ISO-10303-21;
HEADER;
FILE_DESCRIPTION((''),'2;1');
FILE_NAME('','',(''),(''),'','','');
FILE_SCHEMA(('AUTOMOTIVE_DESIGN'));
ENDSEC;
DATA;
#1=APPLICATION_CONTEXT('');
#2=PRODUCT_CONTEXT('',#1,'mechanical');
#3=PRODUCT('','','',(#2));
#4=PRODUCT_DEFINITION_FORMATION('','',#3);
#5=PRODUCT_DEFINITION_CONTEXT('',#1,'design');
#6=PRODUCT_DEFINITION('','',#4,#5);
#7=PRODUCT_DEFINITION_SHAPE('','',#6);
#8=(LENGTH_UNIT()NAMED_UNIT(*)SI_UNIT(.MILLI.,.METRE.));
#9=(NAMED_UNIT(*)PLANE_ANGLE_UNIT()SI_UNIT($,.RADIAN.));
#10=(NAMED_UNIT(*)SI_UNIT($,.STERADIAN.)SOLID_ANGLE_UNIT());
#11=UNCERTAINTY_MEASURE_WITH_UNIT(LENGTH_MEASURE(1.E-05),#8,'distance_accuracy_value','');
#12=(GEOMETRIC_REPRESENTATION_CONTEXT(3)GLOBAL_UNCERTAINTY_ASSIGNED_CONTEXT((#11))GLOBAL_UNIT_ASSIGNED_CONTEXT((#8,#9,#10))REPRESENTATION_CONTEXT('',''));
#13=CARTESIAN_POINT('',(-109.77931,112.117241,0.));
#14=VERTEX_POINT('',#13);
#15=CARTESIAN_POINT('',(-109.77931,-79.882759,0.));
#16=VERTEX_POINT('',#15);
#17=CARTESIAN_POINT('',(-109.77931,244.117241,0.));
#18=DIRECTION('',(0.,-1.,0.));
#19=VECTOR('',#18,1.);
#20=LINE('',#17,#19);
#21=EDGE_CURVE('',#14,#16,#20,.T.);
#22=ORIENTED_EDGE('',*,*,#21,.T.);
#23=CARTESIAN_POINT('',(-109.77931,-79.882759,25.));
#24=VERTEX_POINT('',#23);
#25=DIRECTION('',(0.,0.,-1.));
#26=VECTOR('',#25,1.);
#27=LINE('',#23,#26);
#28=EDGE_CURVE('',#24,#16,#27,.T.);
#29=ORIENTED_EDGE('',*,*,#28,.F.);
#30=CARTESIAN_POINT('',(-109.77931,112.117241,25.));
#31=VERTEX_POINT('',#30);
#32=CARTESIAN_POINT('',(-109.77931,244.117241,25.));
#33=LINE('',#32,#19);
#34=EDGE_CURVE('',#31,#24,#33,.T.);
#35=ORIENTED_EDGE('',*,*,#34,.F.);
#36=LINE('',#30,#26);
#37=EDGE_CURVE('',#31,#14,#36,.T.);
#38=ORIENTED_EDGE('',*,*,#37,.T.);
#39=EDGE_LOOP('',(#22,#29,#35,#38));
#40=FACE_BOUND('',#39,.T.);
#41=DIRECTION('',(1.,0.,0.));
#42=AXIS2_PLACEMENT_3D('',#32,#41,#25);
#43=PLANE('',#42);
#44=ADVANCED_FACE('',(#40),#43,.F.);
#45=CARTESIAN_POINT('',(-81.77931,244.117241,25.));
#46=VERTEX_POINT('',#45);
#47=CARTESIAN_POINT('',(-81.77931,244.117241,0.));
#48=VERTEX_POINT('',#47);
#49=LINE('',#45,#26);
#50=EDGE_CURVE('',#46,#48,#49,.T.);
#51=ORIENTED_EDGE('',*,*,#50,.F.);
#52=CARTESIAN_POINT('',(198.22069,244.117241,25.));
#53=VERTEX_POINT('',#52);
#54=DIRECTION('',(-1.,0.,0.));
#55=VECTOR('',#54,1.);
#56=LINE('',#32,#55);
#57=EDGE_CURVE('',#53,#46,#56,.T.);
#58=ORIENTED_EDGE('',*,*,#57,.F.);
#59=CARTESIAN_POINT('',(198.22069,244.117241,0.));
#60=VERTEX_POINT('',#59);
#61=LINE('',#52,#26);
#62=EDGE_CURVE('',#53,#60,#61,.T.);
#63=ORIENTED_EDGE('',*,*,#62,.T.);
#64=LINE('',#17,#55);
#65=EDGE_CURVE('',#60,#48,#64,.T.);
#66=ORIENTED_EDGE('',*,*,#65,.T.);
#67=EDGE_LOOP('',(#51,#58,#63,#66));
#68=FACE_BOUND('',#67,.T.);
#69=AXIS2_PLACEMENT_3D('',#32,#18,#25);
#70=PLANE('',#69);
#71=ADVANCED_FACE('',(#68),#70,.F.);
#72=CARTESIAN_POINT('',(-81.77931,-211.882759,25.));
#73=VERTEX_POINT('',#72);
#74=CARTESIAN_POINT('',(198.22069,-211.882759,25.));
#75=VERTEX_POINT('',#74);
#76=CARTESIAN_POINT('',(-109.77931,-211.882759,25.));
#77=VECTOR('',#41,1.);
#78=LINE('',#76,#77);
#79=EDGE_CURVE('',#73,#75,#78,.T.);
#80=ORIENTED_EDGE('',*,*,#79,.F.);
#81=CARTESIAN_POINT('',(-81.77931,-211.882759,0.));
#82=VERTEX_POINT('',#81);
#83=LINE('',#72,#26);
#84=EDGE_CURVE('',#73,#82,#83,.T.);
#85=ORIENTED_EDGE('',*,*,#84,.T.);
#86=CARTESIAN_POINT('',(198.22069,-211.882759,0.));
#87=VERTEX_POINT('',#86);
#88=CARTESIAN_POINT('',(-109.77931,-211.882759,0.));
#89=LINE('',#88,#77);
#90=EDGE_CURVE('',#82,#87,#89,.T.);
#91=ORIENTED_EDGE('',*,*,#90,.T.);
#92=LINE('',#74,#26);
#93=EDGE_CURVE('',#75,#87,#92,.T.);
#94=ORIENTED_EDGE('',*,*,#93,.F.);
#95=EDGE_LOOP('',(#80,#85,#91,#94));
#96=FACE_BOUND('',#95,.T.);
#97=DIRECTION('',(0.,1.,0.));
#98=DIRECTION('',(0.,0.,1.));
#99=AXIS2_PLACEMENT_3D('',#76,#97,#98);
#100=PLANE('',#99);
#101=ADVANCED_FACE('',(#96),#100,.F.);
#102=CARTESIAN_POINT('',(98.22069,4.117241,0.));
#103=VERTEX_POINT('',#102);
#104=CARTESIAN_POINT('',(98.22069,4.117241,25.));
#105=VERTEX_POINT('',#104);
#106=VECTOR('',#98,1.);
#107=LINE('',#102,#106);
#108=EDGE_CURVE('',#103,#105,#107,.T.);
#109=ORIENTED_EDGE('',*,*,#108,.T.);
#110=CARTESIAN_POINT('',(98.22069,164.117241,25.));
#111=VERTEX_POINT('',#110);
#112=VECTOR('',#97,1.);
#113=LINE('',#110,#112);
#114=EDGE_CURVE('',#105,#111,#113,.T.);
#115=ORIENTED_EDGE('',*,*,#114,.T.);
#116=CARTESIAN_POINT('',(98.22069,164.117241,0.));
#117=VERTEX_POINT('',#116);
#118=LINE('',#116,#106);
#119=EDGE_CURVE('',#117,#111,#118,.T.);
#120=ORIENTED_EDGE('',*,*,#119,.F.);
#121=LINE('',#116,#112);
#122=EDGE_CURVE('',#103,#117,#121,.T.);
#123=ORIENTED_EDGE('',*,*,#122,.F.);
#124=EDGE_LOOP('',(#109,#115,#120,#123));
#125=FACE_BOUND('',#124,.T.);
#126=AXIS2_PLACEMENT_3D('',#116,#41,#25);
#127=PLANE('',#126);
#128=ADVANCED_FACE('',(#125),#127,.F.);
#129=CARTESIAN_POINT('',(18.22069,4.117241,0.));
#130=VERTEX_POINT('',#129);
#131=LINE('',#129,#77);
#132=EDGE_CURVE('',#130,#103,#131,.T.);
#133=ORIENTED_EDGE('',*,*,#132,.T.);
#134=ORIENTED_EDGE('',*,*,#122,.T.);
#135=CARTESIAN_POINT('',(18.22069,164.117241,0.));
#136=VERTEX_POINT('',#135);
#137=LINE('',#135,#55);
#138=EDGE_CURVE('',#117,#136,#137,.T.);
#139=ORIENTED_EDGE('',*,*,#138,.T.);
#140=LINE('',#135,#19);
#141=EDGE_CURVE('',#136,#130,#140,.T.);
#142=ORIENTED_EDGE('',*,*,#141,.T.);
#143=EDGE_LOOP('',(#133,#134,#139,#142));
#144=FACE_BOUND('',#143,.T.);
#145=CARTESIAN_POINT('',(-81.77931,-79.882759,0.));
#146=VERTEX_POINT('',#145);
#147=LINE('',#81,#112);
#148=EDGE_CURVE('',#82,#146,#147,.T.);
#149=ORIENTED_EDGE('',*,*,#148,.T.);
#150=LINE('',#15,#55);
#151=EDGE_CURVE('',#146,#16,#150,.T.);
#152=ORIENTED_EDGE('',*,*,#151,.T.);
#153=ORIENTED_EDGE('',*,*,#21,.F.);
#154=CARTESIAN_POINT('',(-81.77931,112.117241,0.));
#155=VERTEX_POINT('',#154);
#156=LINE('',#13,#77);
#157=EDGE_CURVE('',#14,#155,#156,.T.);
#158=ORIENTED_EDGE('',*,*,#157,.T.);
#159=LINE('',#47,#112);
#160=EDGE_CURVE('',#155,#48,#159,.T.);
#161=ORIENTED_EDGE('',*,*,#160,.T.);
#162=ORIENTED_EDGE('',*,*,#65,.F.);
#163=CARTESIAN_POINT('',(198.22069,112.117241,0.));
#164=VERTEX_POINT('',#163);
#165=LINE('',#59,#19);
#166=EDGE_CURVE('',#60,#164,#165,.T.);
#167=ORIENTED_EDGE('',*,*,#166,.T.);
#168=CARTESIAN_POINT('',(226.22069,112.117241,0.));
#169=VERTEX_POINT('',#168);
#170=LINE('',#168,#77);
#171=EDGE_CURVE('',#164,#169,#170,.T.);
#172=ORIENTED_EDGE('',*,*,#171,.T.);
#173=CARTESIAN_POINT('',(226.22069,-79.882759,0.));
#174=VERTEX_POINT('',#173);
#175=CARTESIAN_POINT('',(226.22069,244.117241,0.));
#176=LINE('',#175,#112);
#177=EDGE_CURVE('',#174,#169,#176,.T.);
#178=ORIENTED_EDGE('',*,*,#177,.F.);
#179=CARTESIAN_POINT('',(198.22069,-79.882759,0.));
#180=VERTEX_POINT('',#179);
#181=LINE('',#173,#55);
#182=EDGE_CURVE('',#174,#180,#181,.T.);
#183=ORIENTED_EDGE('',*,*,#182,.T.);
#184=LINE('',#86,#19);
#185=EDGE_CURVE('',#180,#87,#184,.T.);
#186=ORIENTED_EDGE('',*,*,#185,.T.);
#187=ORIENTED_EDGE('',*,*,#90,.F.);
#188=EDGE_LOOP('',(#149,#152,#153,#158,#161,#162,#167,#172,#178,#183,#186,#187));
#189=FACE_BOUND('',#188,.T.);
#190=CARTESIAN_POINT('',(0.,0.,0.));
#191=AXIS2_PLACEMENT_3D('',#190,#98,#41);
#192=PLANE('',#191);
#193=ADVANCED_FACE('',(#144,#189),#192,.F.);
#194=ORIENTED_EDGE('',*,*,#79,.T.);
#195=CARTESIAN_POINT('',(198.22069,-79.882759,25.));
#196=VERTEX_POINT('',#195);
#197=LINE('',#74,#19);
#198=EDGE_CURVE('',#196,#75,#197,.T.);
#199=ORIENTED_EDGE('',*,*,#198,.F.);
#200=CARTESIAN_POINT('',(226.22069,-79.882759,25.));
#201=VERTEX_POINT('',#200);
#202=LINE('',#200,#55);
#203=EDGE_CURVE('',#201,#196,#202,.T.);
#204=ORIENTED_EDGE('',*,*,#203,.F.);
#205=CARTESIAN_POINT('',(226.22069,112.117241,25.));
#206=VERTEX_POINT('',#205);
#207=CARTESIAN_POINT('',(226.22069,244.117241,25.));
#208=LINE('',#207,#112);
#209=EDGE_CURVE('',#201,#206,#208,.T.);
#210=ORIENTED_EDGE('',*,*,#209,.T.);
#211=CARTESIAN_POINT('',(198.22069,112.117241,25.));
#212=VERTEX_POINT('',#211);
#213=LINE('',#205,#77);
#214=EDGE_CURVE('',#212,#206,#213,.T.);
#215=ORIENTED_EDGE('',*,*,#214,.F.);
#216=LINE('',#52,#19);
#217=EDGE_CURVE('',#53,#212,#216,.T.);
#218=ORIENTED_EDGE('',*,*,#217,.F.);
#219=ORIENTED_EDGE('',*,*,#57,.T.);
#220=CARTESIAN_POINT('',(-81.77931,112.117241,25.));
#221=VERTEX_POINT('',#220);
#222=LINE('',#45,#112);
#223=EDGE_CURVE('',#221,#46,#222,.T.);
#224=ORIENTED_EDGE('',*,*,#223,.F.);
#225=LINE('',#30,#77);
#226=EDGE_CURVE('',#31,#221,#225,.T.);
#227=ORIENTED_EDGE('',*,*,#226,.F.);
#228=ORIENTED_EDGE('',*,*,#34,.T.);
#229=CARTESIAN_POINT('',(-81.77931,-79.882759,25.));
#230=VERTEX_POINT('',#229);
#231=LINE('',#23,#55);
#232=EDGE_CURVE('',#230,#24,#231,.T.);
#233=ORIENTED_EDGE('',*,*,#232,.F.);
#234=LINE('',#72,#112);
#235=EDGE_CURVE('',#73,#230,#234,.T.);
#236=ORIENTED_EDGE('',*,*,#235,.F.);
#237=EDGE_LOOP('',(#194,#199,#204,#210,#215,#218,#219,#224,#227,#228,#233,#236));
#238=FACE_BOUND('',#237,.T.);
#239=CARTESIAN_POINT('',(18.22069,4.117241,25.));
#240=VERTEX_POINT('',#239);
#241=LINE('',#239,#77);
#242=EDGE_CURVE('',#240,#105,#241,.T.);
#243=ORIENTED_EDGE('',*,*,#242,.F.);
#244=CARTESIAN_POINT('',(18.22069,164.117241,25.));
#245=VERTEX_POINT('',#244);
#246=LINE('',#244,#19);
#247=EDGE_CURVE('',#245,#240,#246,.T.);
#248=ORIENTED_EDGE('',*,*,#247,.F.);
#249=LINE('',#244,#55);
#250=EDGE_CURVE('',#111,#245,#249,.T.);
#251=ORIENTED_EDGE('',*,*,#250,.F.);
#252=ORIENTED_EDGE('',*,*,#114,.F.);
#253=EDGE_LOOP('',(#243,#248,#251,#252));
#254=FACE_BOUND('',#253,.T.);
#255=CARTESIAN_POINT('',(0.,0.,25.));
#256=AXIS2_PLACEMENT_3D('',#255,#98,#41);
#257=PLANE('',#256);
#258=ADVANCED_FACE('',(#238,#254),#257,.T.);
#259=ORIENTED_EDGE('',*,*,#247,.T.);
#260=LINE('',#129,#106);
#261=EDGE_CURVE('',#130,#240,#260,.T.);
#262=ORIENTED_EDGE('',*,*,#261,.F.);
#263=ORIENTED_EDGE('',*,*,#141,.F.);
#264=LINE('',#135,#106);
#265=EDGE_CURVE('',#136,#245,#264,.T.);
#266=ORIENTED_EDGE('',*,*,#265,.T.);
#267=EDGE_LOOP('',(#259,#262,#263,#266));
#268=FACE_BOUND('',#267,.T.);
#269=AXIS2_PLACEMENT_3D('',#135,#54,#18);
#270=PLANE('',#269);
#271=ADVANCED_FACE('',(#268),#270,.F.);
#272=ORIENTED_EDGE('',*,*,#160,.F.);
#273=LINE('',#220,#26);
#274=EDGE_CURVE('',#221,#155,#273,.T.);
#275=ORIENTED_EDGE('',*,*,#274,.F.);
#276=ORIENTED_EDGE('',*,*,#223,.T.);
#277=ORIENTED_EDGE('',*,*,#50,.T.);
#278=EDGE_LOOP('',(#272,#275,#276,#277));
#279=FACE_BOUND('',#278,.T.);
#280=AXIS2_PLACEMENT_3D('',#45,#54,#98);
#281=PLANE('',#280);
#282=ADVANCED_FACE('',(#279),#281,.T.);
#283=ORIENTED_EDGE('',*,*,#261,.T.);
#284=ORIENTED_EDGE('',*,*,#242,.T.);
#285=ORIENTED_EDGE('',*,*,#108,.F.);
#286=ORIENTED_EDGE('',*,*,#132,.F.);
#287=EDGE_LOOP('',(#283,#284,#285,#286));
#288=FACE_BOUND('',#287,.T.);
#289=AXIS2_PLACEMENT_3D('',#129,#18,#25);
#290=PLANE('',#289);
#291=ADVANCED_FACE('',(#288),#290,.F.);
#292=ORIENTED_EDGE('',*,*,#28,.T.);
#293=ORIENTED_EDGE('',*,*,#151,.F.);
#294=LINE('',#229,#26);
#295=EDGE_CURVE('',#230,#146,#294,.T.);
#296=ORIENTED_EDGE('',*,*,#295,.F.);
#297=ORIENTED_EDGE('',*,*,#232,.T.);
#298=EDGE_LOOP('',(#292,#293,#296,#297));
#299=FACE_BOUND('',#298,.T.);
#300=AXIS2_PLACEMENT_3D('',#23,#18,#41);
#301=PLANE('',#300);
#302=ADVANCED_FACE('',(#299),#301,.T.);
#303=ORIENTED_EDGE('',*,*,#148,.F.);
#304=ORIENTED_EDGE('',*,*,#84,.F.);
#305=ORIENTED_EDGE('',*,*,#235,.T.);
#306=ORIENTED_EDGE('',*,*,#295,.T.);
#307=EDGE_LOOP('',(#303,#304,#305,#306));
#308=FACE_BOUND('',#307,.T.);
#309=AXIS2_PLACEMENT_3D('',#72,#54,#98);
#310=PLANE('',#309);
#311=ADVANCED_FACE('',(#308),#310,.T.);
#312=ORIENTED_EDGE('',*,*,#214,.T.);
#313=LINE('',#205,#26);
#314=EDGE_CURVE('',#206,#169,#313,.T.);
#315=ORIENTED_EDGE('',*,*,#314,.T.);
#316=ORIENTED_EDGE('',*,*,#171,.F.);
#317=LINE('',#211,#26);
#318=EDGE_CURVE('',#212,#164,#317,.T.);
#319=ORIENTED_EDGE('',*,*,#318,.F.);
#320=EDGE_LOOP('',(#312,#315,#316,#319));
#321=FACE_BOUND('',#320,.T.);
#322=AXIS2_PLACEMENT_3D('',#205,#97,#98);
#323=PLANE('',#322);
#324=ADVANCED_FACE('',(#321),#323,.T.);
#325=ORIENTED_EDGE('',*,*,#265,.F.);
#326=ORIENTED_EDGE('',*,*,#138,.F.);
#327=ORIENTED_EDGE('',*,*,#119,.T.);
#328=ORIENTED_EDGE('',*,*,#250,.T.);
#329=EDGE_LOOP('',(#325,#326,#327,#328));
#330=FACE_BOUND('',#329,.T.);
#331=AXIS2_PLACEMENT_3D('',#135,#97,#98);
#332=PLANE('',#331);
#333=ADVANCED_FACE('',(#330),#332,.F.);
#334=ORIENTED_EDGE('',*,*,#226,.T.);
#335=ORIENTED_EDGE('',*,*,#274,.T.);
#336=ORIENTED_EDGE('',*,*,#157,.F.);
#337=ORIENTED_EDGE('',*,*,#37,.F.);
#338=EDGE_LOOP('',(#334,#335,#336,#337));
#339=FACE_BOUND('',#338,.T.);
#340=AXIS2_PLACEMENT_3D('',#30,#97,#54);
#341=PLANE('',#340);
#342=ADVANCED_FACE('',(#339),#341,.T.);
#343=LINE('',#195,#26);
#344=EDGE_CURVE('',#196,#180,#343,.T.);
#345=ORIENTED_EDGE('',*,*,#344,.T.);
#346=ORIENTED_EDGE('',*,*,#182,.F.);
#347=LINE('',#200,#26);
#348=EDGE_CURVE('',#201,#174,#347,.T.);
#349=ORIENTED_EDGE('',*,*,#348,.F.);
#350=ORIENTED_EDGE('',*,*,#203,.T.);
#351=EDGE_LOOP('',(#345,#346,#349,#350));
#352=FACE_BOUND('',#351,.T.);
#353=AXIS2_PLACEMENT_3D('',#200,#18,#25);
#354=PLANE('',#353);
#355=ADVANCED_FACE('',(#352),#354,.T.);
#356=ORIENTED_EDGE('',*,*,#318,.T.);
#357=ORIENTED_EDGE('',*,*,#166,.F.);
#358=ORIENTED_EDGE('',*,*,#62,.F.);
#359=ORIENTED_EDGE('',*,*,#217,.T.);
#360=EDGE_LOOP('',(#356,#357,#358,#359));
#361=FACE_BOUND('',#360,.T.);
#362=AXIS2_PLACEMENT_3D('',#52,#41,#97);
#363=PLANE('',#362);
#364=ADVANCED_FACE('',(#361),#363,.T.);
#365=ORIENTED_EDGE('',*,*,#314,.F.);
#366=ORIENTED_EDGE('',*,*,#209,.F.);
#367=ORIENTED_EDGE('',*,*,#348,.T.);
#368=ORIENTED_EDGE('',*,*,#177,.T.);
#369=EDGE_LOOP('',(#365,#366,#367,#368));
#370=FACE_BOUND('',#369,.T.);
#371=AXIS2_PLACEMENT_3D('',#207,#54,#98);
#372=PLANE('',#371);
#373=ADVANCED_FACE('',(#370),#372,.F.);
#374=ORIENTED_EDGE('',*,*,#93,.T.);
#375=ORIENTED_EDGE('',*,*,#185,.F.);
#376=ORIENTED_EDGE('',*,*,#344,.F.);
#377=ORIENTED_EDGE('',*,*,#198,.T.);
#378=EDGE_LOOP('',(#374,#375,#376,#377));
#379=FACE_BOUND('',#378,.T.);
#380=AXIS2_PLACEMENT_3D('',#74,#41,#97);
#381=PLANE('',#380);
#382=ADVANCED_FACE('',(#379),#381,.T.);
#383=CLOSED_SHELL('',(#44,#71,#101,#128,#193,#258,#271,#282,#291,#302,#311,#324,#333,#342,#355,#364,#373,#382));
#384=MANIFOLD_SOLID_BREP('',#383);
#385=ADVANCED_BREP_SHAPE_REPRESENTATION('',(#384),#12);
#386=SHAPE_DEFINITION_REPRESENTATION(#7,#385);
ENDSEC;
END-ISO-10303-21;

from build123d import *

# Parameters (mm, degrees)
SKETCH1_W           = 336
SKETCH1_H           = 456
BOSS_EXTRUDE1_DEPTH = 25
SKETCH3_W           = 28
SKETCH3_H           = 132
CUT_EXTRUDE1_DEPTH  = 25
SKETCH4_W           = 80
SKETCH4_H           = 160
CUT_EXTRUDE2_DEPTH  = 25


with BuildPart() as part:
    # Sketch1 → Boss-Extrude1 (new body)
    with BuildSketch(Plane.XY):
        with Locations((58.220689655, 16.117241379)):
            Rectangle(SKETCH1_W, SKETCH1_H)
    extrude(amount=BOSS_EXTRUDE1_DEPTH)

    # Sketch3 → Cut-Extrude1 (cut)
    with BuildSketch(Plane.XY):
        with Locations((-95.779310345, 178.117241379)):
            Rectangle(SKETCH3_W, SKETCH3_H)
        with Locations((212.220689655, 178.117241379)):
            Rectangle(SKETCH3_W, SKETCH3_H)
        with Locations((212.220689655, -145.882758621)):
            Rectangle(SKETCH3_W, SKETCH3_H)
        with Locations((-95.779310345, -145.882758621)):
            Rectangle(SKETCH3_W, SKETCH3_H)
    extrude(amount=CUT_EXTRUDE1_DEPTH, mode=Mode.SUBTRACT)

    # Sketch4 → Cut-Extrude2 (cut)
    with BuildSketch(Plane.XY.offset(25)):
        with Locations((58.220689655, 84.117241379)):
            Rectangle(SKETCH4_W, SKETCH4_H)
    extrude(amount=-CUT_EXTRUDE2_DEPTH, mode=Mode.SUBTRACT)


solid = part.part
